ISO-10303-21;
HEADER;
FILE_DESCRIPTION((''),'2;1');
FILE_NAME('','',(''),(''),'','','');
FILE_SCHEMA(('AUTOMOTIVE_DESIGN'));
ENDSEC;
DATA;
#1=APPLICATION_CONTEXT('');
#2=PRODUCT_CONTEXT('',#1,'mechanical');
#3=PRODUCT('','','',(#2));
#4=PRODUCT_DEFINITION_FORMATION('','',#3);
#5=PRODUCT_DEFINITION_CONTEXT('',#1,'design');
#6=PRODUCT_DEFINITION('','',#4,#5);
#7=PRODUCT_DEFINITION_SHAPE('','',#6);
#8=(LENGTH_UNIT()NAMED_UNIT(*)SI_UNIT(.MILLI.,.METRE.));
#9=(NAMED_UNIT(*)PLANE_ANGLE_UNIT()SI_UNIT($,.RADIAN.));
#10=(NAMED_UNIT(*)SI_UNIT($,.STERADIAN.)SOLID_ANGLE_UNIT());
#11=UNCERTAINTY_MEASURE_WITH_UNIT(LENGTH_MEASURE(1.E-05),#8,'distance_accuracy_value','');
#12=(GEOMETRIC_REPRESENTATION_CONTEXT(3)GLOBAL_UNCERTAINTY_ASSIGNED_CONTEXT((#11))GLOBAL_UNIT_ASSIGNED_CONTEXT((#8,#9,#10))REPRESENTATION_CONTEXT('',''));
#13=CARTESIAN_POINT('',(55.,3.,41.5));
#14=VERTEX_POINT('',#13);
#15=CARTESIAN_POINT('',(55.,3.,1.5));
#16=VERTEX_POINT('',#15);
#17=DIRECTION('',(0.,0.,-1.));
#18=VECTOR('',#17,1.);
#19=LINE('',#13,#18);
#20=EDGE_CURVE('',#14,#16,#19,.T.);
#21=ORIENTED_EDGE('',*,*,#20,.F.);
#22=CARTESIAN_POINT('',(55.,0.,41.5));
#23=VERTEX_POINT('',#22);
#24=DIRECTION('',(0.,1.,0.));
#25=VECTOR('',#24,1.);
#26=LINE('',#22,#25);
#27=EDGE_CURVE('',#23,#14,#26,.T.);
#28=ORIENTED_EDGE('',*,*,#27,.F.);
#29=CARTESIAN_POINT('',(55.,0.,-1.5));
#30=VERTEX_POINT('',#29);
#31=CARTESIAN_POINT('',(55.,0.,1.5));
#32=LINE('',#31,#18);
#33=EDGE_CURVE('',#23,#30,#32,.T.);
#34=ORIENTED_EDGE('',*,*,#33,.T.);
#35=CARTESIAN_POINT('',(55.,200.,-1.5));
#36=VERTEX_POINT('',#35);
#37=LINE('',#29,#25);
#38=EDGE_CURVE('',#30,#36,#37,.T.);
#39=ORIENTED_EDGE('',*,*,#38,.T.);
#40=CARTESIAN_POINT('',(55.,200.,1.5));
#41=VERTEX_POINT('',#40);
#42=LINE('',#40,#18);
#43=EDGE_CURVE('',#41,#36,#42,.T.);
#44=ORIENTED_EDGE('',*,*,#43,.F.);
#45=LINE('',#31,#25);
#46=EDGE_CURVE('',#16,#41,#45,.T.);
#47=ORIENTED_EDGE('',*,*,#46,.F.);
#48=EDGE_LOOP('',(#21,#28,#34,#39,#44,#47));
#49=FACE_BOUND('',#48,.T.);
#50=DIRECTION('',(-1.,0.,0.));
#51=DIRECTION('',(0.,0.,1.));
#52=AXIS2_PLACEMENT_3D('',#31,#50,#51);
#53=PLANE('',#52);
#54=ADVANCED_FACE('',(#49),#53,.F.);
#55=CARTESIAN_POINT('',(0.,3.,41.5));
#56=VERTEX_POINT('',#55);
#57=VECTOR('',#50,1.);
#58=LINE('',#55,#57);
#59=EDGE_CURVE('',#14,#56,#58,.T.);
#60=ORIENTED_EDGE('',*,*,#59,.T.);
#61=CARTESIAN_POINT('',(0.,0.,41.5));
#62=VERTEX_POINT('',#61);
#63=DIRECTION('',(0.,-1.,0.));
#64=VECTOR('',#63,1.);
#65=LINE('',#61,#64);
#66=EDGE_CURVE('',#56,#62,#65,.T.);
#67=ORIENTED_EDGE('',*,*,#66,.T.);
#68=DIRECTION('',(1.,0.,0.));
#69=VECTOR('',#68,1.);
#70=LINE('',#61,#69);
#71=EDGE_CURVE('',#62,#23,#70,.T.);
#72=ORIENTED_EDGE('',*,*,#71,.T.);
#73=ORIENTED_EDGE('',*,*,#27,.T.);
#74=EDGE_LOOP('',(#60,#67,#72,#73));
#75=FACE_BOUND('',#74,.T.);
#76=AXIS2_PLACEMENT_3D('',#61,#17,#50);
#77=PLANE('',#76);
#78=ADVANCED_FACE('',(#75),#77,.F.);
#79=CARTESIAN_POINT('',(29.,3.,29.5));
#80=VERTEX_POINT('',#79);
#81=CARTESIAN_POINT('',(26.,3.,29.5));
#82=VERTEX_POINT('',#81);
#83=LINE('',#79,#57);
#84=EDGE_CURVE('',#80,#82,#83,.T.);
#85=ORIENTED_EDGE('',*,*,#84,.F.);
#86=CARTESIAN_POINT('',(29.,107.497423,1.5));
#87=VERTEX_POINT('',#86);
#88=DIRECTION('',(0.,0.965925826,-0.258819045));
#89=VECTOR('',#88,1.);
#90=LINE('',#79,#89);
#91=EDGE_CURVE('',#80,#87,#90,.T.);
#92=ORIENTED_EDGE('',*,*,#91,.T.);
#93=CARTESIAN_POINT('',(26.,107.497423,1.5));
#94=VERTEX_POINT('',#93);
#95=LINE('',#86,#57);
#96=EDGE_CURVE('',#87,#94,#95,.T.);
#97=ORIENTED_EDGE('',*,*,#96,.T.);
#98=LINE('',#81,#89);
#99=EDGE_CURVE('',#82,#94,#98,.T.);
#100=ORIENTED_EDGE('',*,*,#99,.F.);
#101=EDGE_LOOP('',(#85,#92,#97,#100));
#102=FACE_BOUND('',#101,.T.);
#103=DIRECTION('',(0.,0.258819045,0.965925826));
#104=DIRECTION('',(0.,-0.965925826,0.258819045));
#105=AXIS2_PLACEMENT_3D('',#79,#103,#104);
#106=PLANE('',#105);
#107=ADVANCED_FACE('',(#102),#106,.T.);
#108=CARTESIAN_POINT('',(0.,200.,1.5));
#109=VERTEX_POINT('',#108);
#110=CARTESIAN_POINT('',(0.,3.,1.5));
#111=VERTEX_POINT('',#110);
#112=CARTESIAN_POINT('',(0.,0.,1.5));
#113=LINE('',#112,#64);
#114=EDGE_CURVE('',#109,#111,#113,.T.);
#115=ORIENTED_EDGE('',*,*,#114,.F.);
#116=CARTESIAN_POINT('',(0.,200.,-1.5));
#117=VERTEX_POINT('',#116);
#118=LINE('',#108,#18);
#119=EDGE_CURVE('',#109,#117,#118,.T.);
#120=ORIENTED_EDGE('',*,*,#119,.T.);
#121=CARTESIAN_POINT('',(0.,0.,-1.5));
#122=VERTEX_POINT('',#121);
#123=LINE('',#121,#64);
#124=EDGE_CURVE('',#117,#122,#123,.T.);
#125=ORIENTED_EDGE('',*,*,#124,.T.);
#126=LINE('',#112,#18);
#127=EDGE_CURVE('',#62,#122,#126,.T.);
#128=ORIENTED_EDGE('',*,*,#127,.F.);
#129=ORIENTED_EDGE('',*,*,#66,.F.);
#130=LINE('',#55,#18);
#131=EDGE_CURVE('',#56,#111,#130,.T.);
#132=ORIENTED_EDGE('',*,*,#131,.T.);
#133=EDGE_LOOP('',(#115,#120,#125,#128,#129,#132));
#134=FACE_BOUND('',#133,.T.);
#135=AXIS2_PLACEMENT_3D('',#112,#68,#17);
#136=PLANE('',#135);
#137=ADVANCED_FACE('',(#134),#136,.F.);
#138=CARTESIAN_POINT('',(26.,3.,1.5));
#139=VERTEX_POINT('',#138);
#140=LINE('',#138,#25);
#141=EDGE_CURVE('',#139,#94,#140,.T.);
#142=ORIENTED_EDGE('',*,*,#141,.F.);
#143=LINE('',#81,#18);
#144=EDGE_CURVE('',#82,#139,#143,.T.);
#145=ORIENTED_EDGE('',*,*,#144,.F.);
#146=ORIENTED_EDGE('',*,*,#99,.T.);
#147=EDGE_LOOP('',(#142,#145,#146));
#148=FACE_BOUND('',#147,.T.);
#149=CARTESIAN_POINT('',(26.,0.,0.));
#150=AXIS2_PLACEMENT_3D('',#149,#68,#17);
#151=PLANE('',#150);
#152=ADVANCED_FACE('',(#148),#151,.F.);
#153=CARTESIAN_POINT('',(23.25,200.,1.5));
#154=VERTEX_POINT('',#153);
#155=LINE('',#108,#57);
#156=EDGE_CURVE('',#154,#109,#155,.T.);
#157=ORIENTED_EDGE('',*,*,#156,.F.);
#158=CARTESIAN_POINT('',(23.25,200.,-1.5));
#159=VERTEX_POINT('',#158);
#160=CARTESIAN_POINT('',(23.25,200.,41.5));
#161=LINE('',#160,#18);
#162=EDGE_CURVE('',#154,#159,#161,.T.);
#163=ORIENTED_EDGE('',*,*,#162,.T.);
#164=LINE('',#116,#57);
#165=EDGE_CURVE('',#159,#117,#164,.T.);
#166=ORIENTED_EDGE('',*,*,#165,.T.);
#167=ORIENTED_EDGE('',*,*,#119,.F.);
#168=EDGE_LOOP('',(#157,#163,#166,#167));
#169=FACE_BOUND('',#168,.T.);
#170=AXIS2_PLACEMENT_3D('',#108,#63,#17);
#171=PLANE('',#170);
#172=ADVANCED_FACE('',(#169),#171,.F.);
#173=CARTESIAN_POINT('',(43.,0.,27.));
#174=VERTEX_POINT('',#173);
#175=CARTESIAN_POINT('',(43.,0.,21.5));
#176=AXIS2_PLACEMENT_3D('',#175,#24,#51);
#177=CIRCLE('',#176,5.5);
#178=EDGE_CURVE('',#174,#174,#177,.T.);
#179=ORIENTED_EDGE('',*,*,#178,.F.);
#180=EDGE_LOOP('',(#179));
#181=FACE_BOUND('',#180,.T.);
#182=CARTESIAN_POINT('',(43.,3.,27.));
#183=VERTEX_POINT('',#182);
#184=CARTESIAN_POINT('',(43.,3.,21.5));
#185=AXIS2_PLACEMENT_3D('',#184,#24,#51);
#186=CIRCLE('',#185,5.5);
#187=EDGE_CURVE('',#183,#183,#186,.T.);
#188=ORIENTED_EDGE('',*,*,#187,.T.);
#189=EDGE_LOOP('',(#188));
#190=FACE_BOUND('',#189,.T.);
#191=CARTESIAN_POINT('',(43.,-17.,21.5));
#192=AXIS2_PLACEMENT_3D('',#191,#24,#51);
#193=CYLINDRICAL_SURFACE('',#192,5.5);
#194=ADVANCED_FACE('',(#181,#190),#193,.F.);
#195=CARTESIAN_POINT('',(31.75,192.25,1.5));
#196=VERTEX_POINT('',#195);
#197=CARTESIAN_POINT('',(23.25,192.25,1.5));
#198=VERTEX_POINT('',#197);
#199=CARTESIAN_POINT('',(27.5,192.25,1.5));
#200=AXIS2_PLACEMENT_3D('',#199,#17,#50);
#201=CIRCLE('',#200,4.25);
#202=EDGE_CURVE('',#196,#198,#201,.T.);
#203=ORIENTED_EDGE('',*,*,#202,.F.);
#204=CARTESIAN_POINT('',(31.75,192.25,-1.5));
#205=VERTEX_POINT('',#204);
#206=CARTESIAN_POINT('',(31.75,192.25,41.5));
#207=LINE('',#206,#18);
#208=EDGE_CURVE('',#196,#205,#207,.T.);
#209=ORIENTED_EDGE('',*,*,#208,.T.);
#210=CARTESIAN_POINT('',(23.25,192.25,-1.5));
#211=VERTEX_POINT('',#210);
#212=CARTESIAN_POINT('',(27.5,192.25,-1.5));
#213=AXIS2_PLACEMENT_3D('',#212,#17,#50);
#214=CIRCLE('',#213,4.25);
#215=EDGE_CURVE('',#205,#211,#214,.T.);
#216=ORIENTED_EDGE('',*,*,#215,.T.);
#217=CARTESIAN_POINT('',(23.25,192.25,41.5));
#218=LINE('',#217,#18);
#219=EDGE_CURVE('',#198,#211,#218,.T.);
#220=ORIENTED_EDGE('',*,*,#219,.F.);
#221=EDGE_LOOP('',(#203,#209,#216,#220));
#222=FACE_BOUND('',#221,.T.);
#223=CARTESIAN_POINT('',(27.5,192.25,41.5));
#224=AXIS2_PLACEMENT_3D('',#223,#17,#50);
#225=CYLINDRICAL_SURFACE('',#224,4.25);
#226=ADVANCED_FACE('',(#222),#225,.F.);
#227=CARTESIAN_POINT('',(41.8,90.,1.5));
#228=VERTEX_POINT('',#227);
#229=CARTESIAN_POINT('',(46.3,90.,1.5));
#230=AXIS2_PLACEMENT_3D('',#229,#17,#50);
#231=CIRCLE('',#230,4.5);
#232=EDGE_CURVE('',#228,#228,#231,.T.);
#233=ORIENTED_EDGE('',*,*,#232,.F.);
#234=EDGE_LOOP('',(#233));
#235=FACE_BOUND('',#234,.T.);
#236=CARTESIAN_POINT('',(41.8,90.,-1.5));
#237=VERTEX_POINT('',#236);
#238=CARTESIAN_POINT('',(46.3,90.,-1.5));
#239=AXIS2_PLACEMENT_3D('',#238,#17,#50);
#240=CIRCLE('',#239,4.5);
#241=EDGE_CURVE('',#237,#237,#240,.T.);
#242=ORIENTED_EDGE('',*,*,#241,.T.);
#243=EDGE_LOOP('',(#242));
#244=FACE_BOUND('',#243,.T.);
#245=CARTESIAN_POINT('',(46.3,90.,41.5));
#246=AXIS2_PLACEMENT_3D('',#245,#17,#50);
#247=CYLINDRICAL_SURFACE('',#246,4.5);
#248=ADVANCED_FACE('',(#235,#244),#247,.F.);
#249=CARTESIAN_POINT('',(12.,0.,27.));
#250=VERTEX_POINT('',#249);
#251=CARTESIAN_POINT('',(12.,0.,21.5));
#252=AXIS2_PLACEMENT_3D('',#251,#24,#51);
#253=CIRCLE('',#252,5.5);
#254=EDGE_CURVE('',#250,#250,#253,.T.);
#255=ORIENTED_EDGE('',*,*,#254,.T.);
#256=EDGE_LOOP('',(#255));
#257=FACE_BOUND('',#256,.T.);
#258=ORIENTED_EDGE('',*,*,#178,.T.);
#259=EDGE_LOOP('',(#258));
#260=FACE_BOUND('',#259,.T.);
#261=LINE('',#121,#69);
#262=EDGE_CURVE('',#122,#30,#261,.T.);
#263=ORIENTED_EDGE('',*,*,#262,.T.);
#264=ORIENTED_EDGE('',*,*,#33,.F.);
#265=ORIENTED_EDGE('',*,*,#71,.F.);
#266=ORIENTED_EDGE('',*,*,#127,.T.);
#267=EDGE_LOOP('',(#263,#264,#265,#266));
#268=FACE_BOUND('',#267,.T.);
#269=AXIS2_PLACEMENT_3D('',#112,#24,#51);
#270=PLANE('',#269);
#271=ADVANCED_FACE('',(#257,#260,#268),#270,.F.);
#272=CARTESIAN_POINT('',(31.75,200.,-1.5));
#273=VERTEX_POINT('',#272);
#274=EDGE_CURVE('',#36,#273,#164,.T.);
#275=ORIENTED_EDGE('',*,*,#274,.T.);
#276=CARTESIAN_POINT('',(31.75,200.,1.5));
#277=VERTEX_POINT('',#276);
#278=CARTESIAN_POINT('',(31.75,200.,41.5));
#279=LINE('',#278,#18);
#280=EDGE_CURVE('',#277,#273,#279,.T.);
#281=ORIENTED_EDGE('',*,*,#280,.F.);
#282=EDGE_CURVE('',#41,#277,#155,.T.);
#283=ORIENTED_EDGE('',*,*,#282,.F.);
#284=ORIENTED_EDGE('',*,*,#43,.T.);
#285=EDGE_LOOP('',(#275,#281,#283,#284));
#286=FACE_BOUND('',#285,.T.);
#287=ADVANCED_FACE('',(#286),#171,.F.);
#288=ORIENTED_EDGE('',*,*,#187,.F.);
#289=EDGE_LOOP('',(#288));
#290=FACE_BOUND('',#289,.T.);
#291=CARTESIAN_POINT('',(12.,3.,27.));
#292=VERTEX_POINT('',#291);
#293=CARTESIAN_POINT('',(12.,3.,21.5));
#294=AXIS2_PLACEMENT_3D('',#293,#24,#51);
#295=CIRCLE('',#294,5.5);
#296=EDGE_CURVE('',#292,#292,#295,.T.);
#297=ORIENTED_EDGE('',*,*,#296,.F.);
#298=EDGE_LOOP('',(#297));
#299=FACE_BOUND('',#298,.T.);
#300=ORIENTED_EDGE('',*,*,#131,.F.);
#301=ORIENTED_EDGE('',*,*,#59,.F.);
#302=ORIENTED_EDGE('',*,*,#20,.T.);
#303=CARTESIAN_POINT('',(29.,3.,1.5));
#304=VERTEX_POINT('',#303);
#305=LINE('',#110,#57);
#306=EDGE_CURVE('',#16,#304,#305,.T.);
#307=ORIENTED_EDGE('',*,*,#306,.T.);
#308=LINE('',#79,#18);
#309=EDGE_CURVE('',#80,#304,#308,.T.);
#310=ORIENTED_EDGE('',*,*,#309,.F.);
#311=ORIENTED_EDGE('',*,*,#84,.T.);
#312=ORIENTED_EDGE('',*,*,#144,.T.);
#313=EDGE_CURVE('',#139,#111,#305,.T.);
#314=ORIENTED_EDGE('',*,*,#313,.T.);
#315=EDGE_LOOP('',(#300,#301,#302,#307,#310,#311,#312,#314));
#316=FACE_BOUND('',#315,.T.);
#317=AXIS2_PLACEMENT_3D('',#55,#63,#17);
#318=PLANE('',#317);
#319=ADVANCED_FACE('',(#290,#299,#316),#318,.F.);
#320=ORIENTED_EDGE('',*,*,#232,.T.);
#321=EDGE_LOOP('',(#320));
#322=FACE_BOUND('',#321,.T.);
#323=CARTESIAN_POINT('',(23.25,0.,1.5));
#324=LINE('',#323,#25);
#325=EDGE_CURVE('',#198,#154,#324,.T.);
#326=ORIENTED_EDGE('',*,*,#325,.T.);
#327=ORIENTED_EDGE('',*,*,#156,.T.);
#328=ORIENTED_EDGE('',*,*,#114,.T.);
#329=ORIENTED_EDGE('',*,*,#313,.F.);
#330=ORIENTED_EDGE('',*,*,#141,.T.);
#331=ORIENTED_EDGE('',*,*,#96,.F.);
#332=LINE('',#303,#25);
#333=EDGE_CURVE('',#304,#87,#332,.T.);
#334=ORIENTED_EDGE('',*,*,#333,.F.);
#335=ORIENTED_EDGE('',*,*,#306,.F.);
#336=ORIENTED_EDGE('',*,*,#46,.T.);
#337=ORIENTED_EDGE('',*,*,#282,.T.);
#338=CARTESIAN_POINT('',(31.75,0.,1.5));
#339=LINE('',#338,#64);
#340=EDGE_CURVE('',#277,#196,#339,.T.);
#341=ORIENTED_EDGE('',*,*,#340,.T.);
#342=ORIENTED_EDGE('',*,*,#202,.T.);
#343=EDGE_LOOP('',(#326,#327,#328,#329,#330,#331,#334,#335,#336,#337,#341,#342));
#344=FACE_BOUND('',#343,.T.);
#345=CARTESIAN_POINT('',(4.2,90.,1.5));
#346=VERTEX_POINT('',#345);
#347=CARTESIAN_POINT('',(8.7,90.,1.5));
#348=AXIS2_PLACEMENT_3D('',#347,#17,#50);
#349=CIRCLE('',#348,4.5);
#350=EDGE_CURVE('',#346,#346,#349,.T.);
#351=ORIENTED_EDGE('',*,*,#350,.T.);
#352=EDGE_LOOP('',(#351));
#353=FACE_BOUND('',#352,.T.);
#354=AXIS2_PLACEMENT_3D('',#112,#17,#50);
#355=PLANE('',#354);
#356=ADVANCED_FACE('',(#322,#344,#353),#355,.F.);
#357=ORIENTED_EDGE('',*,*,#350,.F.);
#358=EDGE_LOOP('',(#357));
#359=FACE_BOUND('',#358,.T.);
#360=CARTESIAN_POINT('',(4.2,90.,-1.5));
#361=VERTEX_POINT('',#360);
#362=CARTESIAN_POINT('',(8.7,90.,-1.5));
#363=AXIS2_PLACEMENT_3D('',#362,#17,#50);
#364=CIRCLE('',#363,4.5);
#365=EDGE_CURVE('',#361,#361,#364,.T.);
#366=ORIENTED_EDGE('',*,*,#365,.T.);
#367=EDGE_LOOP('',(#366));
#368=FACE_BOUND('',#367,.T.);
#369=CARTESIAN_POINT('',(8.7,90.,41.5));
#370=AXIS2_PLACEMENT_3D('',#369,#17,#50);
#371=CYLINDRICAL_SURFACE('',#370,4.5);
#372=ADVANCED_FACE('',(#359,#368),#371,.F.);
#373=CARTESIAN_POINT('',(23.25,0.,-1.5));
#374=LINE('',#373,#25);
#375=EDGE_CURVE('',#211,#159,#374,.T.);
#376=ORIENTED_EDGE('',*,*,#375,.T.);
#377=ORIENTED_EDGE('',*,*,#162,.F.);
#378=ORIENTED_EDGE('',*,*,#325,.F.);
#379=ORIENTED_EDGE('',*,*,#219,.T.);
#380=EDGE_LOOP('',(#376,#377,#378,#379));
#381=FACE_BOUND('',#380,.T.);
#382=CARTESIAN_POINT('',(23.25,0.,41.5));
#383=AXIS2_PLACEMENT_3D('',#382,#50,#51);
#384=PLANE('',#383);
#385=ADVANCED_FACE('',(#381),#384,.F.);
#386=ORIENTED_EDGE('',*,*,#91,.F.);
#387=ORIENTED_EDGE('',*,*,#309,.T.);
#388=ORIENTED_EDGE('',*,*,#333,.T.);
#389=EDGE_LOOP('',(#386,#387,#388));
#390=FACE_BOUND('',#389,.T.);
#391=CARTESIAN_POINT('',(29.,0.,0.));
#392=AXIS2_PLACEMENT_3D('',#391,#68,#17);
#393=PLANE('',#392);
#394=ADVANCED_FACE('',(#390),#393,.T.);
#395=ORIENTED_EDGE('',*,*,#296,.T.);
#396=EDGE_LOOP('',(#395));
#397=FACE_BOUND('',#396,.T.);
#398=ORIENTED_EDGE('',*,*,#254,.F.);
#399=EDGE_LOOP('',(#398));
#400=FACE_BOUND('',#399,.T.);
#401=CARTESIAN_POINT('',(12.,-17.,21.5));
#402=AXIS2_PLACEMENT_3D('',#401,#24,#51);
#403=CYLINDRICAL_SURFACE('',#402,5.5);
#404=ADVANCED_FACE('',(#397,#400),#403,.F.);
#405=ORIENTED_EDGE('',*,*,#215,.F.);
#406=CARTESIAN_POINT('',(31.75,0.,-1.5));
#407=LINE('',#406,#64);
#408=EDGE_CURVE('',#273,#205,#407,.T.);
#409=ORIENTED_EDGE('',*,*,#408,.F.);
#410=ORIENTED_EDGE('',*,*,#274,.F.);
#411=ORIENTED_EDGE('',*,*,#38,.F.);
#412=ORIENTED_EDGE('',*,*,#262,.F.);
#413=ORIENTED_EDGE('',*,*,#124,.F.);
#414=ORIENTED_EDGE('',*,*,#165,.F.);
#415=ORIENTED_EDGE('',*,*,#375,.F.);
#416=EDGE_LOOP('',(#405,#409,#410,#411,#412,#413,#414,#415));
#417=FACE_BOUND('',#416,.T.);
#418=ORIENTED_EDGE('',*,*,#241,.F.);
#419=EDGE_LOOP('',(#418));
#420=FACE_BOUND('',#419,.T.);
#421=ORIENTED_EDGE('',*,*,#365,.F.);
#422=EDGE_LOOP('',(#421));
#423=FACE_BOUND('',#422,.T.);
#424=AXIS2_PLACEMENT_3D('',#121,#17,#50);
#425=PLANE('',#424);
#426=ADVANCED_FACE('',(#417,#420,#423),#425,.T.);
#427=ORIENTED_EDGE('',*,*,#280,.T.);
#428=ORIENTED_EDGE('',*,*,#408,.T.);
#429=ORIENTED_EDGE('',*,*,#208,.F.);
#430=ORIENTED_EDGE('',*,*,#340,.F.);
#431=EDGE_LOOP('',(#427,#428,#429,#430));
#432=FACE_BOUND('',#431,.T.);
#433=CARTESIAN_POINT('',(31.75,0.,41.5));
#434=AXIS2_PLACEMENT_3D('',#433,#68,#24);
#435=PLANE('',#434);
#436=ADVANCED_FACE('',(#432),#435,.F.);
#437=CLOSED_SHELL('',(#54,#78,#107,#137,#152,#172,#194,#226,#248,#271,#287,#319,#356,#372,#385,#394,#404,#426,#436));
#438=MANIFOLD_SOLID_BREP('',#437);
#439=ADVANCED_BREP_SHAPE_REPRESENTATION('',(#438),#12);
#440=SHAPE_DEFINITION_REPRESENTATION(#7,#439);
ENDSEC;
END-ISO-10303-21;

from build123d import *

# Parameters (mm, degrees)
SZKIC1_W                    = 55
SZKIC1_H                    = 200
DODANIE_WYCI_GNI_CIE1_DEPTH = 1.5
SZKIC2_W                    = 55
SZKIC2_H                    = 3
DODANIE_WYCI_GNI_CIE2_DEPTH = 40
SZKIC3_R                    = 5.5
WYTNIJ_WYCI_GNI_CIE1_DEPTH  = 20
DODANIE_WYCI_GNI_CIE3_DEPTH = 1.5
SZKIC5_R                    = 4.5
WYTNIJ_WYCI_GNI_CIE3_DEPTH  = 212.834841327


with BuildPart() as part:
    # Szkic1 → Dodanie-wyciągnięcie1 (new, symmetric)
    with BuildSketch(Plane.XY):
        with Locations((27.5, 100)):
            Rectangle(SZKIC1_W, SZKIC1_H)
    extrude(amount=DODANIE_WYCI_GNI_CIE1_DEPTH, both=True)



with BuildPart() as body_2:
    # Szkic2 → Dodanie-wyciągnięcie2 (new body)
    with BuildSketch(Plane.XY.offset(1.5)):
        with Locations((27.5, 1.5)):
            Rectangle(SZKIC2_W, SZKIC2_H)
    extrude(amount=DODANIE_WYCI_GNI_CIE2_DEPTH)

    # Szkic3 → Wytnij-wyciągnięcie1 (cut)
    with BuildSketch(Plane(origin=(0, 3, 0), x_dir=(1, 0, 0), z_dir=(0, 1, 0))):
        with Locations(Location((12, -21.5, 0), (0, 0, 270))):
            Circle(SZKIC3_R)
        with Locations(Location((43, -21.5, 0), (0, 0, 270))):
            Circle(SZKIC3_R)
    extrude(amount=-WYTNIJ_WYCI_GNI_CIE1_DEPTH, mode=Mode.SUBTRACT)


with BuildPart() as part_1:
    add(part.part)

    add(body_2.part)  # Dodanie-wyciągnięcie3 merges body 2
    # Szkic4 → Dodanie-wyciągnięcie3 (add, symmetric)
    with BuildSketch(Plane(origin=(27.5, 0, 0), x_dir=(0, 0, -1), z_dir=(1, 0, 0))):
        Polygon((-29.5, 3), (-1.5, 107.497422612), (-1.5, 3), align=None)
    extrude(amount=DODANIE_WYCI_GNI_CIE3_DEPTH, both=True)

    # Szkic5 → Wytnij-wyciągnięcie3 (cut, through all)
    with BuildSketch(Plane(origin=(0, 0, -1.5), x_dir=(-1, 0, 0), z_dir=(0, 0, -1))):
        with Locations((-8.7, 90)):
            Circle(SZKIC5_R)
        with Locations((-46.3, 90)):
            Circle(SZKIC5_R)
        with BuildLine():
            Line((-31.75, 200), (-31.75, 192.25))
            ThreePointArc((-31.75, 192.25), (-27.5, 188), (-23.25, 192.25))
            Line((-23.25, 192.25), (-23.25, 200))
            Line((-23.25, 200), (-31.75, 200))
        make_face()
    extrude(amount=-WYTNIJ_WYCI_GNI_CIE3_DEPTH, mode=Mode.SUBTRACT)


solid = part_1.part
